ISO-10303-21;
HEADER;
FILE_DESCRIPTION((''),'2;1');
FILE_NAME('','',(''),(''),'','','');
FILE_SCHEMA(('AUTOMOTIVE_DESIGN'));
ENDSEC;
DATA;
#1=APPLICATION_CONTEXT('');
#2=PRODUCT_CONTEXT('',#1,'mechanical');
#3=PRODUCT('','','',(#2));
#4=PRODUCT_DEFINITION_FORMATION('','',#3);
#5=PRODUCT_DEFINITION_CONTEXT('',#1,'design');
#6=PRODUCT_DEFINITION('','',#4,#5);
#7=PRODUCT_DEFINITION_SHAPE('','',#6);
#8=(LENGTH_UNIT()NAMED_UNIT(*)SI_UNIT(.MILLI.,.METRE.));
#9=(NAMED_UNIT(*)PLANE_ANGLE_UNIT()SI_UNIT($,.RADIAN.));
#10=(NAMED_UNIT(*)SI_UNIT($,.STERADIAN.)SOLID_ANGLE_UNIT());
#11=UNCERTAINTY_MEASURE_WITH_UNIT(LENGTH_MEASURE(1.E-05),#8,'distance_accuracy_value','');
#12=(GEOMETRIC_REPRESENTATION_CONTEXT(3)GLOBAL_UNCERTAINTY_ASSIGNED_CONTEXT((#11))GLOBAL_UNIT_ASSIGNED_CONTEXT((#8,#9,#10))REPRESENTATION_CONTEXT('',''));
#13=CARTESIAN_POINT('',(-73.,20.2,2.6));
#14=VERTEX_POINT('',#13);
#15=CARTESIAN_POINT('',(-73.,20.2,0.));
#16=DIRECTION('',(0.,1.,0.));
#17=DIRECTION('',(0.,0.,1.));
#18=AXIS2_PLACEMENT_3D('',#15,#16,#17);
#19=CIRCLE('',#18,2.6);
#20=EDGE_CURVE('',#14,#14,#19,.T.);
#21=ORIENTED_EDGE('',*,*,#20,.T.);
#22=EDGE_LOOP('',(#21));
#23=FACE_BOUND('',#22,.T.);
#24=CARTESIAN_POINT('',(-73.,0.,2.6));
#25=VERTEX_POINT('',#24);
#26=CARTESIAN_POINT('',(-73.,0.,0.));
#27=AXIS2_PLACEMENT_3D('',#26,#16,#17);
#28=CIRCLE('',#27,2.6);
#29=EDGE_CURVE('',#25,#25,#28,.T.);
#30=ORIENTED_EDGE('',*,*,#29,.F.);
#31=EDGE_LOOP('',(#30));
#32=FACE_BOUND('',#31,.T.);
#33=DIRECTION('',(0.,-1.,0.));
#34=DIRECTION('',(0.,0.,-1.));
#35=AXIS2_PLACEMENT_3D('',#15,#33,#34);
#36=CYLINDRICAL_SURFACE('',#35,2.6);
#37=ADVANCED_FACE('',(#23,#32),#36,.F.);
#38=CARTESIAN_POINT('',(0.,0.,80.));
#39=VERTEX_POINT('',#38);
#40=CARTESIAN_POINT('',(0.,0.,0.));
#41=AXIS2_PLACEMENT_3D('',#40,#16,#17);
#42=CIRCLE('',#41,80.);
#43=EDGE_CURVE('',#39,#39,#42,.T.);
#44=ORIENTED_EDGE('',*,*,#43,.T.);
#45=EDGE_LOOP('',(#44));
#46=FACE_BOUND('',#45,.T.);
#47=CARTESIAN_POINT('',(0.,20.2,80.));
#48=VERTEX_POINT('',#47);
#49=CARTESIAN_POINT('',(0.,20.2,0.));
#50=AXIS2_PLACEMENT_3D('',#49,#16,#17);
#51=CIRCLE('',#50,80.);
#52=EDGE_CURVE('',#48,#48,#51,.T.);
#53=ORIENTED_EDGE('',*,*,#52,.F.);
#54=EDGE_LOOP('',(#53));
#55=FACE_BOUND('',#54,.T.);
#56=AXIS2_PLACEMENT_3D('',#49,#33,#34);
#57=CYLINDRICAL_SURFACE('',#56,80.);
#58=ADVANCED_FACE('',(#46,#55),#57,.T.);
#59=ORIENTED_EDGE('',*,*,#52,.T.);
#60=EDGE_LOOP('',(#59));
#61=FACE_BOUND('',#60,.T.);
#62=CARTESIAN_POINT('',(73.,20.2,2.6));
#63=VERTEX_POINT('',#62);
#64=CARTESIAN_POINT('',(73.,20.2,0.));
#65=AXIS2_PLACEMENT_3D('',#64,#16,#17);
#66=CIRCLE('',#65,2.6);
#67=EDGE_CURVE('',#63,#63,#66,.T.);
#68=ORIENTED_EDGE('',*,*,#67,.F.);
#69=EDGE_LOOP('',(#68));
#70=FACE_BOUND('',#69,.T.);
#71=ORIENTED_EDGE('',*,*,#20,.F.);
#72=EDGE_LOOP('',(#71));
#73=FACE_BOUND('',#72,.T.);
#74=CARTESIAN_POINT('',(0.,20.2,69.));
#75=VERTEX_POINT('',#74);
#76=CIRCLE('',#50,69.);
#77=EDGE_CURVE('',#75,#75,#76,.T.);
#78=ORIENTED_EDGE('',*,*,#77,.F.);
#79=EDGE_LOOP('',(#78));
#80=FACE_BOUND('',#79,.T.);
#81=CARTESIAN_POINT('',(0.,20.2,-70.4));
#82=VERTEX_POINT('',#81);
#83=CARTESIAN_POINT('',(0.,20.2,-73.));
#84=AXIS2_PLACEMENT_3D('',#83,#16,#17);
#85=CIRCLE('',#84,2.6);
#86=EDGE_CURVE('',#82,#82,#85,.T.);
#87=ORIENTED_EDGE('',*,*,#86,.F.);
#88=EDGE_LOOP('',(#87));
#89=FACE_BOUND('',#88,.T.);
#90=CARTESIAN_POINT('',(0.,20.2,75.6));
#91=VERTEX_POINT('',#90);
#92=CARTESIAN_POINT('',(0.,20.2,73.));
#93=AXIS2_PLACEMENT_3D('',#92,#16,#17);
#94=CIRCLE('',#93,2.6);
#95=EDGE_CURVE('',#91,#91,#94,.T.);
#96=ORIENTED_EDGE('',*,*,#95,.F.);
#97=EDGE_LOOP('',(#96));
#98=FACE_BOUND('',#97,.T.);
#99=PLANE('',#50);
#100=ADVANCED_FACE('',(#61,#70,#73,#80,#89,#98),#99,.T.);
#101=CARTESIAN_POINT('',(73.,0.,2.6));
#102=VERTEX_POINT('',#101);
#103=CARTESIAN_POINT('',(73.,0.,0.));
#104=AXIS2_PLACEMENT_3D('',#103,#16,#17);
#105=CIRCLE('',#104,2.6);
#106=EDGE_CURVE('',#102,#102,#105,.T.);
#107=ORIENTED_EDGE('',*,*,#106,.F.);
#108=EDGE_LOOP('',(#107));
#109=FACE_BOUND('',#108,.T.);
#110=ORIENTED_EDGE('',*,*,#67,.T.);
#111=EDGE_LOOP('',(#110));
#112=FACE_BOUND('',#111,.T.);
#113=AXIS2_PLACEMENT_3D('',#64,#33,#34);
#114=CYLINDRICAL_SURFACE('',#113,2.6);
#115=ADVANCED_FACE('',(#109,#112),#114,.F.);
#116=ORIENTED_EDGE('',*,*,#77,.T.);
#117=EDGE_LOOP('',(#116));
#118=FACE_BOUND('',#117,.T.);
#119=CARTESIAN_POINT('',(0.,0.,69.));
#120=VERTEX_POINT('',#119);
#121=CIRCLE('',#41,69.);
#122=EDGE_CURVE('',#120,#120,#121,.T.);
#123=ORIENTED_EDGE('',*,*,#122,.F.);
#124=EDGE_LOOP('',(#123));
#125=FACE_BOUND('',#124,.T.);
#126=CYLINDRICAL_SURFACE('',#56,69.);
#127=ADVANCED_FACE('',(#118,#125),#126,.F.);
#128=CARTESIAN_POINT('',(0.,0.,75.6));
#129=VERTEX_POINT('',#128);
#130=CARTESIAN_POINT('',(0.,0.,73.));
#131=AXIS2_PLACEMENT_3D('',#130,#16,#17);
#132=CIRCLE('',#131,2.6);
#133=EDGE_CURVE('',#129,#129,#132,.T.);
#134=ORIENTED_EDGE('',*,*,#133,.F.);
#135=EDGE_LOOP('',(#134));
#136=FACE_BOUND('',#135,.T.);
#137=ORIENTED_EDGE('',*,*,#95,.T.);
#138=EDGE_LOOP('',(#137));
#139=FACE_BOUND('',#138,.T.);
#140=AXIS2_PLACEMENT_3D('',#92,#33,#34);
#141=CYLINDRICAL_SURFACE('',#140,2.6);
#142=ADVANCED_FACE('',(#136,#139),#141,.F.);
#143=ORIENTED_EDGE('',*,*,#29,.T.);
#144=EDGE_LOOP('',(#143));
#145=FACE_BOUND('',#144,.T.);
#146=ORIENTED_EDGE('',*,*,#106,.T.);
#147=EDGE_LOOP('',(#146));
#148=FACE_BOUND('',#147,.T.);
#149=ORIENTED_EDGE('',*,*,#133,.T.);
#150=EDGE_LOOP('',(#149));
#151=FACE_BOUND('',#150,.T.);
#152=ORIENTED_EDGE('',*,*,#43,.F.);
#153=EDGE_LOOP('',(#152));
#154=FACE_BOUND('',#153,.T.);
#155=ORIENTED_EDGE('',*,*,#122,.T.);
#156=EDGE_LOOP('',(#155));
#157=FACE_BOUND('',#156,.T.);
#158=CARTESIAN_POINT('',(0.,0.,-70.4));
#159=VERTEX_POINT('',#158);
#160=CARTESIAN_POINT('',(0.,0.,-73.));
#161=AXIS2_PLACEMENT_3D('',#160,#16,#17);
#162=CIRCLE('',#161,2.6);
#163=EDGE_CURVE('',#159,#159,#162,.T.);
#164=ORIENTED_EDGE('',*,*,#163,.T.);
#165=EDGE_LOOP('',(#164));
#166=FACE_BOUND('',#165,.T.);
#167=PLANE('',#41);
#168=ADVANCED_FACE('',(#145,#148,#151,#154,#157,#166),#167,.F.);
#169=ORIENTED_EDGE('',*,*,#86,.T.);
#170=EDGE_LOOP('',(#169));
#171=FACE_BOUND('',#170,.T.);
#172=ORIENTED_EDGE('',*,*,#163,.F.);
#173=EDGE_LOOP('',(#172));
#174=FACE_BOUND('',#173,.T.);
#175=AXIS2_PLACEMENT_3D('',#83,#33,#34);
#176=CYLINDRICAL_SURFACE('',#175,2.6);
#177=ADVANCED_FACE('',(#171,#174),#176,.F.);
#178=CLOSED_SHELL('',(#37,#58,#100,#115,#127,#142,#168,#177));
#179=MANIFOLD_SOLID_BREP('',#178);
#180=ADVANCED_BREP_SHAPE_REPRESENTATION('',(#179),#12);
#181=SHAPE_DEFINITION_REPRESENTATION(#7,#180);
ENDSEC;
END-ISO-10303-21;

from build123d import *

# Parameters (mm, degrees)
SKETCH1_R           = 80
SKETCH1_R_2         = 2.6
SKETCH1_R_3         = 69
BOSS_EXTRUDE1_DEPTH = 20.2


with BuildPart() as part:
    # Sketch1 → Boss-Extrude1 (new body)
    with BuildSketch(Plane(origin=(0, 0, 0), x_dir=(1, 0, 0), z_dir=(0, 1, 0))):
        with Locations(Location((0, 0, 0), (0, 0, 270))):
            Circle(SKETCH1_R)
        with Locations(Location((0, 73, 0), (0, 0, 270))):
            Circle(SKETCH1_R_2, mode=Mode.SUBTRACT)
        with Locations(Location((73, 0, 0), (0, 0, 270))):
            Circle(SKETCH1_R_2, mode=Mode.SUBTRACT)
        with Locations(Location((0, -73, 0), (0, 0, 270))):
            Circle(SKETCH1_R_2, mode=Mode.SUBTRACT)
        with Locations(Location((-73, 0, 0), (0, 0, 270))):
            Circle(SKETCH1_R_2, mode=Mode.SUBTRACT)
        with Locations(Location((0, 0, 0), (0, 0, 270))):
            Circle(SKETCH1_R_3, mode=Mode.SUBTRACT)
    extrude(amount=BOSS_EXTRUDE1_DEPTH)


solid = part.part
